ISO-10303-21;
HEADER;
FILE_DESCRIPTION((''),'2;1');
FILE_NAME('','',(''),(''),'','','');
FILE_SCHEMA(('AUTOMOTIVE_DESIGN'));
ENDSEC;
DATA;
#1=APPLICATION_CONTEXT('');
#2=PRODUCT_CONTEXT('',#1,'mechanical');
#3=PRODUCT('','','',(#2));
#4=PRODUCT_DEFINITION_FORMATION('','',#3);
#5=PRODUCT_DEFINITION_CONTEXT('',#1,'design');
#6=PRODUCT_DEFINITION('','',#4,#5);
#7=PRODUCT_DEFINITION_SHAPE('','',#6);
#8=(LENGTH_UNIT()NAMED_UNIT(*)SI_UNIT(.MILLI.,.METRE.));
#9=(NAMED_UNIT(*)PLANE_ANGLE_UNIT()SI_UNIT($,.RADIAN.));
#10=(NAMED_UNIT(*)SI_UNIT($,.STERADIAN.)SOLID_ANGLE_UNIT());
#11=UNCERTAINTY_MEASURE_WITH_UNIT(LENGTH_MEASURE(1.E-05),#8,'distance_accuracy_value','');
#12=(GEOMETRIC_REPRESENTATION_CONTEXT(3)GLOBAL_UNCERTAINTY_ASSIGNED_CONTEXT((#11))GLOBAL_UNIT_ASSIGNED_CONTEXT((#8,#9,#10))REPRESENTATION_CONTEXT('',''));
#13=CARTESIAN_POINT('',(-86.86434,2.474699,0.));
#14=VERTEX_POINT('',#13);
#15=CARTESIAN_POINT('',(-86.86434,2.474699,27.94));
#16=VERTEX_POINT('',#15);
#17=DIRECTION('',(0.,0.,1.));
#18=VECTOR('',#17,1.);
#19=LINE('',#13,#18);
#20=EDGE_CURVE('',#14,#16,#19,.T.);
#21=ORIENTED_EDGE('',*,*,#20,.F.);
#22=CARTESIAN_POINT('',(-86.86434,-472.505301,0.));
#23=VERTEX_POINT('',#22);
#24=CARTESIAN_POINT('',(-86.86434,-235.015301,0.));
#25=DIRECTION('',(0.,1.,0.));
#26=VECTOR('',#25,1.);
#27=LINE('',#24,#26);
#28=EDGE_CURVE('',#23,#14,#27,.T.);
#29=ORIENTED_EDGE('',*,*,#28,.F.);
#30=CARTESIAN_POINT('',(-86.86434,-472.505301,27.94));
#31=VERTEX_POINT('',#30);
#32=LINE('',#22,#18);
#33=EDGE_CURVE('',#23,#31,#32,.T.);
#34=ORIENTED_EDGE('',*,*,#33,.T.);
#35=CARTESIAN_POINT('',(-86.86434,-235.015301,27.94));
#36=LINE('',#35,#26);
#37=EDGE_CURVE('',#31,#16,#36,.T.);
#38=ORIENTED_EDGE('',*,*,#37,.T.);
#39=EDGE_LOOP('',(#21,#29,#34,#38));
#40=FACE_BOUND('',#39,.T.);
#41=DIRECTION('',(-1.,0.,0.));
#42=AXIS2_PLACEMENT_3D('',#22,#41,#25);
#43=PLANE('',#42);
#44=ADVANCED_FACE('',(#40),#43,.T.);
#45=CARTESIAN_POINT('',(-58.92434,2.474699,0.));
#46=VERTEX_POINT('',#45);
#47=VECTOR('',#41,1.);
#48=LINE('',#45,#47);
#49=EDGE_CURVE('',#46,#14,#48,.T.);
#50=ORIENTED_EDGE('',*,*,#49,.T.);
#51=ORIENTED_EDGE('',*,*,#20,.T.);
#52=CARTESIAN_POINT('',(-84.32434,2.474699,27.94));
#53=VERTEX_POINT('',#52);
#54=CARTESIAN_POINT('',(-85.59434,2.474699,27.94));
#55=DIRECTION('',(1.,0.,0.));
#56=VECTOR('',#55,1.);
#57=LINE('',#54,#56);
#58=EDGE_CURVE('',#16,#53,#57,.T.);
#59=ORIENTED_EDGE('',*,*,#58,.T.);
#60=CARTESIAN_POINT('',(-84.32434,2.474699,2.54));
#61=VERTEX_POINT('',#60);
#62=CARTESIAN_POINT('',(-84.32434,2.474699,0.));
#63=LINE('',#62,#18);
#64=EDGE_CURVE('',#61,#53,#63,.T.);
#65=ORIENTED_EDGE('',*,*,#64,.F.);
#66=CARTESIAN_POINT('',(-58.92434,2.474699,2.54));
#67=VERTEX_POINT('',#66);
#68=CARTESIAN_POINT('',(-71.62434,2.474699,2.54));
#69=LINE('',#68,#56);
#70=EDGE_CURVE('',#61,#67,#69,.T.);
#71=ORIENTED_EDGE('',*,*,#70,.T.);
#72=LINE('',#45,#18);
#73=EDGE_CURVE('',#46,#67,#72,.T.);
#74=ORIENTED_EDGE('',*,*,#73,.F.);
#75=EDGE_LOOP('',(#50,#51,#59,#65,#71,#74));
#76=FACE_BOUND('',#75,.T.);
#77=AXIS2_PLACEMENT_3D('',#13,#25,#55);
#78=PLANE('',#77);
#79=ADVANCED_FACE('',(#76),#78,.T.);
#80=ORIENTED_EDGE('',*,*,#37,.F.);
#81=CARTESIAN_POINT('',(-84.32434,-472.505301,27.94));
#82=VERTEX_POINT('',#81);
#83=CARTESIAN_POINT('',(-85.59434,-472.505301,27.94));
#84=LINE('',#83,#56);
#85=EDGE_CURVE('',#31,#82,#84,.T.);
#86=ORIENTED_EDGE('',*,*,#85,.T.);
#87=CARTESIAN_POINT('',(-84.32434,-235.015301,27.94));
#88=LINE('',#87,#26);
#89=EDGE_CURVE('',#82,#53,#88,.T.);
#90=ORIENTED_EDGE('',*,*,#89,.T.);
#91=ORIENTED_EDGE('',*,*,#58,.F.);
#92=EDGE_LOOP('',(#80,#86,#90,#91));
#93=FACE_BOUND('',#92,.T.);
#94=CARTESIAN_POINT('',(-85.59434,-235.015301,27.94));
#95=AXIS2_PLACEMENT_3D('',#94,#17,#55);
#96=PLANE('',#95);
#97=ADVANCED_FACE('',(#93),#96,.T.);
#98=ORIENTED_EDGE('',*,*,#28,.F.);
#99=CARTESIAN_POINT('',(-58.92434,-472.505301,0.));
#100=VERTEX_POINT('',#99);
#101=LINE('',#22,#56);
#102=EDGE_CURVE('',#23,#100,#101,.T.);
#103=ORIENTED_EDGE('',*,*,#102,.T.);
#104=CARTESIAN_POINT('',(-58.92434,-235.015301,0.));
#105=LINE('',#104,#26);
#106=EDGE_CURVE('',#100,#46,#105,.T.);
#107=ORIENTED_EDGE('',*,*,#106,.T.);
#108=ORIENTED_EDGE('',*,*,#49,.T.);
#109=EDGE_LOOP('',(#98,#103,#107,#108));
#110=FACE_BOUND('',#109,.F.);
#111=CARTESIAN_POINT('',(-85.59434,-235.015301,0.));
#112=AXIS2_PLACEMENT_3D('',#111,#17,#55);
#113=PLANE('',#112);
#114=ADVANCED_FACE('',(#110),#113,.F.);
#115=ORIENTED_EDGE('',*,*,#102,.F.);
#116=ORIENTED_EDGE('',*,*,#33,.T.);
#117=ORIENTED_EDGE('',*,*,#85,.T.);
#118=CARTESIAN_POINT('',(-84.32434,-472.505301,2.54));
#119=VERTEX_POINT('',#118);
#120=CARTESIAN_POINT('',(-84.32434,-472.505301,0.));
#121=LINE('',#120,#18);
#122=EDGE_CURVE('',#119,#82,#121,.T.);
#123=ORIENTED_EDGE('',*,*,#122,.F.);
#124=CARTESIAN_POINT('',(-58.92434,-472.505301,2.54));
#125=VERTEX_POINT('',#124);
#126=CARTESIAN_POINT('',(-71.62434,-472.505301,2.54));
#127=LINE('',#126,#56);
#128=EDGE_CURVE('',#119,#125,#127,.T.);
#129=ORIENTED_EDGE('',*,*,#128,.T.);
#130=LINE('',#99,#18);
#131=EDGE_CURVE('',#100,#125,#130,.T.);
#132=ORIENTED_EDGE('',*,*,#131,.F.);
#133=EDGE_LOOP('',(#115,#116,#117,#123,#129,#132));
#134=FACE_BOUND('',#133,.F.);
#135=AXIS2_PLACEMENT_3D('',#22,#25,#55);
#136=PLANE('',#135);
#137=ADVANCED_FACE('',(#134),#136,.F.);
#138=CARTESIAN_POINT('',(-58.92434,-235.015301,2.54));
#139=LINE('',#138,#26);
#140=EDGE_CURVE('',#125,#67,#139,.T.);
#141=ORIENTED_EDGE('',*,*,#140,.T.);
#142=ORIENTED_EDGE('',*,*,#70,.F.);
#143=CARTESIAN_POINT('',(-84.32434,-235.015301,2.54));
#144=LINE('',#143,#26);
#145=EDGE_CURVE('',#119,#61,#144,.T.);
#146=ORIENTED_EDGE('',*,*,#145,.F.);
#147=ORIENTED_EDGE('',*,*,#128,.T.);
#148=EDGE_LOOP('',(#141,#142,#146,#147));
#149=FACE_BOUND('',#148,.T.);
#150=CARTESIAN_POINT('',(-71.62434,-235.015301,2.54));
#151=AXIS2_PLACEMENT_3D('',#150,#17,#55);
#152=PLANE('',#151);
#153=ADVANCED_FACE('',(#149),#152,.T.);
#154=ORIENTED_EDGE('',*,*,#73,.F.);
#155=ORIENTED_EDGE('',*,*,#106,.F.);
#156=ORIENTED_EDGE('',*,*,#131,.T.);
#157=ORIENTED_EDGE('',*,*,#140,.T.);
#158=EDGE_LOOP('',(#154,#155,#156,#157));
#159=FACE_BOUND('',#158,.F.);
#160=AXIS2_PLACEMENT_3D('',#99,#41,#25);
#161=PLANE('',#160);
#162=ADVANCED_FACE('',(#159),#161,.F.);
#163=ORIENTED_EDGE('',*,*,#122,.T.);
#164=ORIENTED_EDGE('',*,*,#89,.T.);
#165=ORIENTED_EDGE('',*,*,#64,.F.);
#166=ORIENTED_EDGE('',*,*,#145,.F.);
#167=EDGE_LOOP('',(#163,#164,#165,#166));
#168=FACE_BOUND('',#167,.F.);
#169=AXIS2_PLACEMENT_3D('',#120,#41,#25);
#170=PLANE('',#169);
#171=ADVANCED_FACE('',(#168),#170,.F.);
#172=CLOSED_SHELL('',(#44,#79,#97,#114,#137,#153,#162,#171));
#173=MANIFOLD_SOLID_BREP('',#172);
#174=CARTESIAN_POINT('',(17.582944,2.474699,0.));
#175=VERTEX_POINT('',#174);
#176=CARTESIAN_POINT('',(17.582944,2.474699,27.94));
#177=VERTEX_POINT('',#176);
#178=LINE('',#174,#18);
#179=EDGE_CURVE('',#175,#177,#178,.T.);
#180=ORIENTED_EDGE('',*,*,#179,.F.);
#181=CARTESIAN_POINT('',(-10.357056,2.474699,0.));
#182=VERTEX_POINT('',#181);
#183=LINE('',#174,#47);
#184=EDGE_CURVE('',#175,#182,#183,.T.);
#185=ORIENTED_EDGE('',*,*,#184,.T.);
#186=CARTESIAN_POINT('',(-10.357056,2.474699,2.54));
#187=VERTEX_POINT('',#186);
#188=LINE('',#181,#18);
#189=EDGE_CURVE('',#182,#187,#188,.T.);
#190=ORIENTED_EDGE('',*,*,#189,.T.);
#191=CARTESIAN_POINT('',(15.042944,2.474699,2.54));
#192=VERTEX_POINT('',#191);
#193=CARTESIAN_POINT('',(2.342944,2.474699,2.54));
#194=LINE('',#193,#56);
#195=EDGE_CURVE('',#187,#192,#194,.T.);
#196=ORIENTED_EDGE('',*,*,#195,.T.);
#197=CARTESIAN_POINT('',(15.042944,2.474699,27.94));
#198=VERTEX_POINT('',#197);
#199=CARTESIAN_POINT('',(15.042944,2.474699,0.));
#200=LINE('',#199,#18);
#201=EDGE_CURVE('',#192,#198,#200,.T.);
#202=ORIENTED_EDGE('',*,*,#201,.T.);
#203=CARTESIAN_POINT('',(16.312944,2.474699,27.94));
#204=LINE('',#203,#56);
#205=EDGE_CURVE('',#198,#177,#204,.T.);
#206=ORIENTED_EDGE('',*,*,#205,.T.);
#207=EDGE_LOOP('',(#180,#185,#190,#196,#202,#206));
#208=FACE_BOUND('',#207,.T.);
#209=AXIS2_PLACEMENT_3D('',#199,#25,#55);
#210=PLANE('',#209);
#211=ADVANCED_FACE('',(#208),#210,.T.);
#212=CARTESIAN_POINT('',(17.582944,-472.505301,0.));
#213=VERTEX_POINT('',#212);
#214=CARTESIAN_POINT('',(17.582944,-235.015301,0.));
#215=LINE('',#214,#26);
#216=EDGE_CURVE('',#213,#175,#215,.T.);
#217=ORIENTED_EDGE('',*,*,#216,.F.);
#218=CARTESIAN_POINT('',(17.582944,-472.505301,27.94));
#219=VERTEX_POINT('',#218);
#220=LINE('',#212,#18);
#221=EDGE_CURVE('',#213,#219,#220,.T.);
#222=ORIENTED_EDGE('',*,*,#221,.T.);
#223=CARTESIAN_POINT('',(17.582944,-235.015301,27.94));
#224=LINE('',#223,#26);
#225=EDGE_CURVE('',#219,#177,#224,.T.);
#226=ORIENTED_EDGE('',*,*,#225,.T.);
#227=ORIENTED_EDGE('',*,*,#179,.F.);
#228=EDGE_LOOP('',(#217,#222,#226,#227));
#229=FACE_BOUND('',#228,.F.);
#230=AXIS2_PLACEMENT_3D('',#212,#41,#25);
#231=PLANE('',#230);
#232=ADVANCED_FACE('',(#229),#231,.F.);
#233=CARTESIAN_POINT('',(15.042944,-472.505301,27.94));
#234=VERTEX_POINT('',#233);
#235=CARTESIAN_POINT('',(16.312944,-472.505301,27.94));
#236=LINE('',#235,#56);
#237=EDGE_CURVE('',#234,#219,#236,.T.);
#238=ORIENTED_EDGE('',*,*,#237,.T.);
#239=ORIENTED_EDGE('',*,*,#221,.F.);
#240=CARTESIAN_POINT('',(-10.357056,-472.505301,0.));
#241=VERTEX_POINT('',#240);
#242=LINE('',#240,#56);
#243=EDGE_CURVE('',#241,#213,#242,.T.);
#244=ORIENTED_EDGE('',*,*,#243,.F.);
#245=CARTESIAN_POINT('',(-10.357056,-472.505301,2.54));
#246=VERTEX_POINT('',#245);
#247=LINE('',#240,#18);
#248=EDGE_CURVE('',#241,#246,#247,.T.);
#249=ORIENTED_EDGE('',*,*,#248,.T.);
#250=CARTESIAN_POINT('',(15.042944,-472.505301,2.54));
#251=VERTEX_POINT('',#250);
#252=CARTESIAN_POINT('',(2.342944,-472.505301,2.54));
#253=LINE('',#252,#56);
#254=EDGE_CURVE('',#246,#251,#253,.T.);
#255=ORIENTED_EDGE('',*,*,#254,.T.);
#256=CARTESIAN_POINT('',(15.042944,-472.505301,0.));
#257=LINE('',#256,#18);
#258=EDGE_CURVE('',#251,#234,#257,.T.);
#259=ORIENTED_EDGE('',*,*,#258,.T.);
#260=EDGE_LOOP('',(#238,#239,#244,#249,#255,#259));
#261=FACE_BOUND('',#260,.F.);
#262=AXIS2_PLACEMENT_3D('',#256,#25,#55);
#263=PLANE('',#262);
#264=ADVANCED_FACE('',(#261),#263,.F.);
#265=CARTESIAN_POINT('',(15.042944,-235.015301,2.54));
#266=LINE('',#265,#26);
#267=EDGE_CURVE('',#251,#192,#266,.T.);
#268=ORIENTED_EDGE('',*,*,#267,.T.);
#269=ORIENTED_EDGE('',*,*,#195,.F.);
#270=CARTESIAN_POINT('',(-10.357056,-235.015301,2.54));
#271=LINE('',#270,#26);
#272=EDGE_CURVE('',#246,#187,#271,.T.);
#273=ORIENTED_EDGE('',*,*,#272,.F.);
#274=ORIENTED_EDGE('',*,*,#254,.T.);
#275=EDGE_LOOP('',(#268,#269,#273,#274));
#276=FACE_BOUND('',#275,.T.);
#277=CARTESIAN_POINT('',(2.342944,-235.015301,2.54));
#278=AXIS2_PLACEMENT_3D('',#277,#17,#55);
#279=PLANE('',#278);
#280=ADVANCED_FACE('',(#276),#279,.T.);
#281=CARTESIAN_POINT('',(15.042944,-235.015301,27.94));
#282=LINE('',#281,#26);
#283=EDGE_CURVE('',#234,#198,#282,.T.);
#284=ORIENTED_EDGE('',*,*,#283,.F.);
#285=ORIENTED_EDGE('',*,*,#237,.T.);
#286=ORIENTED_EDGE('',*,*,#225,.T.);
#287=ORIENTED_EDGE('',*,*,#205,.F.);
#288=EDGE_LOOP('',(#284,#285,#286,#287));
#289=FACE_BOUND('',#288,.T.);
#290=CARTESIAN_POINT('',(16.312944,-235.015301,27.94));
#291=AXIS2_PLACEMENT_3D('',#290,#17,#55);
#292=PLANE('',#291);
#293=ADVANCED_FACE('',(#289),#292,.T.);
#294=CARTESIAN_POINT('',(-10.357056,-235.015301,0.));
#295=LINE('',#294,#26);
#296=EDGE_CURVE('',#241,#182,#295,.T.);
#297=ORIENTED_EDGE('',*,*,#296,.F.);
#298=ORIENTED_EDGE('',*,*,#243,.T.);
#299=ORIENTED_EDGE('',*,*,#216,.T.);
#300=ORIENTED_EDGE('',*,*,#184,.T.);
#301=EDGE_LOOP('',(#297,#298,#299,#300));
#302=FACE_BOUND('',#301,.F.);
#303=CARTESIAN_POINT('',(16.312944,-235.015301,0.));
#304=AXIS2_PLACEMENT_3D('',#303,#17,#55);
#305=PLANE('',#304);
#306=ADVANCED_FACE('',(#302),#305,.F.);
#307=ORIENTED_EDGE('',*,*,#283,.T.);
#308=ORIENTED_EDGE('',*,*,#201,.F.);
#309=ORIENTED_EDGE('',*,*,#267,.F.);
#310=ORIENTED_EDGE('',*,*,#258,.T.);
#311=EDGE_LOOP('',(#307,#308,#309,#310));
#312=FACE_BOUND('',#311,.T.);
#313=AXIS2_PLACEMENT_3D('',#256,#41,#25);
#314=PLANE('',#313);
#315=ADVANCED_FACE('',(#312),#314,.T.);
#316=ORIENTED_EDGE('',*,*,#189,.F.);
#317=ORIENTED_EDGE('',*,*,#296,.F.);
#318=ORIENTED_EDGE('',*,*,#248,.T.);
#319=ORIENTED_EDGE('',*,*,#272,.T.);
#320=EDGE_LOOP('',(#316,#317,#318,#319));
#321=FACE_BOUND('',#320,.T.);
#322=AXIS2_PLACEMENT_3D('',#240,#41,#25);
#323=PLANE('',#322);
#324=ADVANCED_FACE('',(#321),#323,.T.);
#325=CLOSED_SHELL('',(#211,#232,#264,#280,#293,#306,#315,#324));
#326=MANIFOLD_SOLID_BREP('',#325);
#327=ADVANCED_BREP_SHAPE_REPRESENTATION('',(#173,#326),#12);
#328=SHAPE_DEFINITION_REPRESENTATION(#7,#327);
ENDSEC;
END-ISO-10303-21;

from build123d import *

# Parameters (mm, degrees)
F0_W     = 25.4
F0_H     = 474.98
F1_DEPTH = 2.54
F2_W     = 2.54
F2_H     = 474.98
F3_DEPTH = 27.94


with BuildPart() as f1:
    # F0 (on Top) → F1 (new body)
    with BuildSketch(Plane.XY):
        with Locations((-71.6243397117, -235.0153012371)):
            Rectangle(F0_W, F0_H)
    extrude(amount=F1_DEPTH)

    # F2 (on Top) → F3 (join)
    with BuildSketch(Plane.XY):
        with Locations((-85.5943397117, -235.0153012371)):
            Rectangle(F2_W, F2_H)
    extrude(amount=F3_DEPTH)


with BuildPart() as f1b:
    # F0 (on Top) → F1, piece 2 (new body)
    with BuildSketch(Plane.XY):
        with Locations((2.3429441869, -235.0153012371)):
            Rectangle(F0_W, F0_H)
    extrude(amount=F1_DEPTH)

    # F2 (on Top) → F3, piece 2 (join)
    with BuildSketch(Plane.XY):
        with Locations((16.3129441869, -235.0153012371)):
            Rectangle(F2_W, F2_H)
    extrude(amount=F3_DEPTH)


solid = Compound([f1.part, f1b.part])
